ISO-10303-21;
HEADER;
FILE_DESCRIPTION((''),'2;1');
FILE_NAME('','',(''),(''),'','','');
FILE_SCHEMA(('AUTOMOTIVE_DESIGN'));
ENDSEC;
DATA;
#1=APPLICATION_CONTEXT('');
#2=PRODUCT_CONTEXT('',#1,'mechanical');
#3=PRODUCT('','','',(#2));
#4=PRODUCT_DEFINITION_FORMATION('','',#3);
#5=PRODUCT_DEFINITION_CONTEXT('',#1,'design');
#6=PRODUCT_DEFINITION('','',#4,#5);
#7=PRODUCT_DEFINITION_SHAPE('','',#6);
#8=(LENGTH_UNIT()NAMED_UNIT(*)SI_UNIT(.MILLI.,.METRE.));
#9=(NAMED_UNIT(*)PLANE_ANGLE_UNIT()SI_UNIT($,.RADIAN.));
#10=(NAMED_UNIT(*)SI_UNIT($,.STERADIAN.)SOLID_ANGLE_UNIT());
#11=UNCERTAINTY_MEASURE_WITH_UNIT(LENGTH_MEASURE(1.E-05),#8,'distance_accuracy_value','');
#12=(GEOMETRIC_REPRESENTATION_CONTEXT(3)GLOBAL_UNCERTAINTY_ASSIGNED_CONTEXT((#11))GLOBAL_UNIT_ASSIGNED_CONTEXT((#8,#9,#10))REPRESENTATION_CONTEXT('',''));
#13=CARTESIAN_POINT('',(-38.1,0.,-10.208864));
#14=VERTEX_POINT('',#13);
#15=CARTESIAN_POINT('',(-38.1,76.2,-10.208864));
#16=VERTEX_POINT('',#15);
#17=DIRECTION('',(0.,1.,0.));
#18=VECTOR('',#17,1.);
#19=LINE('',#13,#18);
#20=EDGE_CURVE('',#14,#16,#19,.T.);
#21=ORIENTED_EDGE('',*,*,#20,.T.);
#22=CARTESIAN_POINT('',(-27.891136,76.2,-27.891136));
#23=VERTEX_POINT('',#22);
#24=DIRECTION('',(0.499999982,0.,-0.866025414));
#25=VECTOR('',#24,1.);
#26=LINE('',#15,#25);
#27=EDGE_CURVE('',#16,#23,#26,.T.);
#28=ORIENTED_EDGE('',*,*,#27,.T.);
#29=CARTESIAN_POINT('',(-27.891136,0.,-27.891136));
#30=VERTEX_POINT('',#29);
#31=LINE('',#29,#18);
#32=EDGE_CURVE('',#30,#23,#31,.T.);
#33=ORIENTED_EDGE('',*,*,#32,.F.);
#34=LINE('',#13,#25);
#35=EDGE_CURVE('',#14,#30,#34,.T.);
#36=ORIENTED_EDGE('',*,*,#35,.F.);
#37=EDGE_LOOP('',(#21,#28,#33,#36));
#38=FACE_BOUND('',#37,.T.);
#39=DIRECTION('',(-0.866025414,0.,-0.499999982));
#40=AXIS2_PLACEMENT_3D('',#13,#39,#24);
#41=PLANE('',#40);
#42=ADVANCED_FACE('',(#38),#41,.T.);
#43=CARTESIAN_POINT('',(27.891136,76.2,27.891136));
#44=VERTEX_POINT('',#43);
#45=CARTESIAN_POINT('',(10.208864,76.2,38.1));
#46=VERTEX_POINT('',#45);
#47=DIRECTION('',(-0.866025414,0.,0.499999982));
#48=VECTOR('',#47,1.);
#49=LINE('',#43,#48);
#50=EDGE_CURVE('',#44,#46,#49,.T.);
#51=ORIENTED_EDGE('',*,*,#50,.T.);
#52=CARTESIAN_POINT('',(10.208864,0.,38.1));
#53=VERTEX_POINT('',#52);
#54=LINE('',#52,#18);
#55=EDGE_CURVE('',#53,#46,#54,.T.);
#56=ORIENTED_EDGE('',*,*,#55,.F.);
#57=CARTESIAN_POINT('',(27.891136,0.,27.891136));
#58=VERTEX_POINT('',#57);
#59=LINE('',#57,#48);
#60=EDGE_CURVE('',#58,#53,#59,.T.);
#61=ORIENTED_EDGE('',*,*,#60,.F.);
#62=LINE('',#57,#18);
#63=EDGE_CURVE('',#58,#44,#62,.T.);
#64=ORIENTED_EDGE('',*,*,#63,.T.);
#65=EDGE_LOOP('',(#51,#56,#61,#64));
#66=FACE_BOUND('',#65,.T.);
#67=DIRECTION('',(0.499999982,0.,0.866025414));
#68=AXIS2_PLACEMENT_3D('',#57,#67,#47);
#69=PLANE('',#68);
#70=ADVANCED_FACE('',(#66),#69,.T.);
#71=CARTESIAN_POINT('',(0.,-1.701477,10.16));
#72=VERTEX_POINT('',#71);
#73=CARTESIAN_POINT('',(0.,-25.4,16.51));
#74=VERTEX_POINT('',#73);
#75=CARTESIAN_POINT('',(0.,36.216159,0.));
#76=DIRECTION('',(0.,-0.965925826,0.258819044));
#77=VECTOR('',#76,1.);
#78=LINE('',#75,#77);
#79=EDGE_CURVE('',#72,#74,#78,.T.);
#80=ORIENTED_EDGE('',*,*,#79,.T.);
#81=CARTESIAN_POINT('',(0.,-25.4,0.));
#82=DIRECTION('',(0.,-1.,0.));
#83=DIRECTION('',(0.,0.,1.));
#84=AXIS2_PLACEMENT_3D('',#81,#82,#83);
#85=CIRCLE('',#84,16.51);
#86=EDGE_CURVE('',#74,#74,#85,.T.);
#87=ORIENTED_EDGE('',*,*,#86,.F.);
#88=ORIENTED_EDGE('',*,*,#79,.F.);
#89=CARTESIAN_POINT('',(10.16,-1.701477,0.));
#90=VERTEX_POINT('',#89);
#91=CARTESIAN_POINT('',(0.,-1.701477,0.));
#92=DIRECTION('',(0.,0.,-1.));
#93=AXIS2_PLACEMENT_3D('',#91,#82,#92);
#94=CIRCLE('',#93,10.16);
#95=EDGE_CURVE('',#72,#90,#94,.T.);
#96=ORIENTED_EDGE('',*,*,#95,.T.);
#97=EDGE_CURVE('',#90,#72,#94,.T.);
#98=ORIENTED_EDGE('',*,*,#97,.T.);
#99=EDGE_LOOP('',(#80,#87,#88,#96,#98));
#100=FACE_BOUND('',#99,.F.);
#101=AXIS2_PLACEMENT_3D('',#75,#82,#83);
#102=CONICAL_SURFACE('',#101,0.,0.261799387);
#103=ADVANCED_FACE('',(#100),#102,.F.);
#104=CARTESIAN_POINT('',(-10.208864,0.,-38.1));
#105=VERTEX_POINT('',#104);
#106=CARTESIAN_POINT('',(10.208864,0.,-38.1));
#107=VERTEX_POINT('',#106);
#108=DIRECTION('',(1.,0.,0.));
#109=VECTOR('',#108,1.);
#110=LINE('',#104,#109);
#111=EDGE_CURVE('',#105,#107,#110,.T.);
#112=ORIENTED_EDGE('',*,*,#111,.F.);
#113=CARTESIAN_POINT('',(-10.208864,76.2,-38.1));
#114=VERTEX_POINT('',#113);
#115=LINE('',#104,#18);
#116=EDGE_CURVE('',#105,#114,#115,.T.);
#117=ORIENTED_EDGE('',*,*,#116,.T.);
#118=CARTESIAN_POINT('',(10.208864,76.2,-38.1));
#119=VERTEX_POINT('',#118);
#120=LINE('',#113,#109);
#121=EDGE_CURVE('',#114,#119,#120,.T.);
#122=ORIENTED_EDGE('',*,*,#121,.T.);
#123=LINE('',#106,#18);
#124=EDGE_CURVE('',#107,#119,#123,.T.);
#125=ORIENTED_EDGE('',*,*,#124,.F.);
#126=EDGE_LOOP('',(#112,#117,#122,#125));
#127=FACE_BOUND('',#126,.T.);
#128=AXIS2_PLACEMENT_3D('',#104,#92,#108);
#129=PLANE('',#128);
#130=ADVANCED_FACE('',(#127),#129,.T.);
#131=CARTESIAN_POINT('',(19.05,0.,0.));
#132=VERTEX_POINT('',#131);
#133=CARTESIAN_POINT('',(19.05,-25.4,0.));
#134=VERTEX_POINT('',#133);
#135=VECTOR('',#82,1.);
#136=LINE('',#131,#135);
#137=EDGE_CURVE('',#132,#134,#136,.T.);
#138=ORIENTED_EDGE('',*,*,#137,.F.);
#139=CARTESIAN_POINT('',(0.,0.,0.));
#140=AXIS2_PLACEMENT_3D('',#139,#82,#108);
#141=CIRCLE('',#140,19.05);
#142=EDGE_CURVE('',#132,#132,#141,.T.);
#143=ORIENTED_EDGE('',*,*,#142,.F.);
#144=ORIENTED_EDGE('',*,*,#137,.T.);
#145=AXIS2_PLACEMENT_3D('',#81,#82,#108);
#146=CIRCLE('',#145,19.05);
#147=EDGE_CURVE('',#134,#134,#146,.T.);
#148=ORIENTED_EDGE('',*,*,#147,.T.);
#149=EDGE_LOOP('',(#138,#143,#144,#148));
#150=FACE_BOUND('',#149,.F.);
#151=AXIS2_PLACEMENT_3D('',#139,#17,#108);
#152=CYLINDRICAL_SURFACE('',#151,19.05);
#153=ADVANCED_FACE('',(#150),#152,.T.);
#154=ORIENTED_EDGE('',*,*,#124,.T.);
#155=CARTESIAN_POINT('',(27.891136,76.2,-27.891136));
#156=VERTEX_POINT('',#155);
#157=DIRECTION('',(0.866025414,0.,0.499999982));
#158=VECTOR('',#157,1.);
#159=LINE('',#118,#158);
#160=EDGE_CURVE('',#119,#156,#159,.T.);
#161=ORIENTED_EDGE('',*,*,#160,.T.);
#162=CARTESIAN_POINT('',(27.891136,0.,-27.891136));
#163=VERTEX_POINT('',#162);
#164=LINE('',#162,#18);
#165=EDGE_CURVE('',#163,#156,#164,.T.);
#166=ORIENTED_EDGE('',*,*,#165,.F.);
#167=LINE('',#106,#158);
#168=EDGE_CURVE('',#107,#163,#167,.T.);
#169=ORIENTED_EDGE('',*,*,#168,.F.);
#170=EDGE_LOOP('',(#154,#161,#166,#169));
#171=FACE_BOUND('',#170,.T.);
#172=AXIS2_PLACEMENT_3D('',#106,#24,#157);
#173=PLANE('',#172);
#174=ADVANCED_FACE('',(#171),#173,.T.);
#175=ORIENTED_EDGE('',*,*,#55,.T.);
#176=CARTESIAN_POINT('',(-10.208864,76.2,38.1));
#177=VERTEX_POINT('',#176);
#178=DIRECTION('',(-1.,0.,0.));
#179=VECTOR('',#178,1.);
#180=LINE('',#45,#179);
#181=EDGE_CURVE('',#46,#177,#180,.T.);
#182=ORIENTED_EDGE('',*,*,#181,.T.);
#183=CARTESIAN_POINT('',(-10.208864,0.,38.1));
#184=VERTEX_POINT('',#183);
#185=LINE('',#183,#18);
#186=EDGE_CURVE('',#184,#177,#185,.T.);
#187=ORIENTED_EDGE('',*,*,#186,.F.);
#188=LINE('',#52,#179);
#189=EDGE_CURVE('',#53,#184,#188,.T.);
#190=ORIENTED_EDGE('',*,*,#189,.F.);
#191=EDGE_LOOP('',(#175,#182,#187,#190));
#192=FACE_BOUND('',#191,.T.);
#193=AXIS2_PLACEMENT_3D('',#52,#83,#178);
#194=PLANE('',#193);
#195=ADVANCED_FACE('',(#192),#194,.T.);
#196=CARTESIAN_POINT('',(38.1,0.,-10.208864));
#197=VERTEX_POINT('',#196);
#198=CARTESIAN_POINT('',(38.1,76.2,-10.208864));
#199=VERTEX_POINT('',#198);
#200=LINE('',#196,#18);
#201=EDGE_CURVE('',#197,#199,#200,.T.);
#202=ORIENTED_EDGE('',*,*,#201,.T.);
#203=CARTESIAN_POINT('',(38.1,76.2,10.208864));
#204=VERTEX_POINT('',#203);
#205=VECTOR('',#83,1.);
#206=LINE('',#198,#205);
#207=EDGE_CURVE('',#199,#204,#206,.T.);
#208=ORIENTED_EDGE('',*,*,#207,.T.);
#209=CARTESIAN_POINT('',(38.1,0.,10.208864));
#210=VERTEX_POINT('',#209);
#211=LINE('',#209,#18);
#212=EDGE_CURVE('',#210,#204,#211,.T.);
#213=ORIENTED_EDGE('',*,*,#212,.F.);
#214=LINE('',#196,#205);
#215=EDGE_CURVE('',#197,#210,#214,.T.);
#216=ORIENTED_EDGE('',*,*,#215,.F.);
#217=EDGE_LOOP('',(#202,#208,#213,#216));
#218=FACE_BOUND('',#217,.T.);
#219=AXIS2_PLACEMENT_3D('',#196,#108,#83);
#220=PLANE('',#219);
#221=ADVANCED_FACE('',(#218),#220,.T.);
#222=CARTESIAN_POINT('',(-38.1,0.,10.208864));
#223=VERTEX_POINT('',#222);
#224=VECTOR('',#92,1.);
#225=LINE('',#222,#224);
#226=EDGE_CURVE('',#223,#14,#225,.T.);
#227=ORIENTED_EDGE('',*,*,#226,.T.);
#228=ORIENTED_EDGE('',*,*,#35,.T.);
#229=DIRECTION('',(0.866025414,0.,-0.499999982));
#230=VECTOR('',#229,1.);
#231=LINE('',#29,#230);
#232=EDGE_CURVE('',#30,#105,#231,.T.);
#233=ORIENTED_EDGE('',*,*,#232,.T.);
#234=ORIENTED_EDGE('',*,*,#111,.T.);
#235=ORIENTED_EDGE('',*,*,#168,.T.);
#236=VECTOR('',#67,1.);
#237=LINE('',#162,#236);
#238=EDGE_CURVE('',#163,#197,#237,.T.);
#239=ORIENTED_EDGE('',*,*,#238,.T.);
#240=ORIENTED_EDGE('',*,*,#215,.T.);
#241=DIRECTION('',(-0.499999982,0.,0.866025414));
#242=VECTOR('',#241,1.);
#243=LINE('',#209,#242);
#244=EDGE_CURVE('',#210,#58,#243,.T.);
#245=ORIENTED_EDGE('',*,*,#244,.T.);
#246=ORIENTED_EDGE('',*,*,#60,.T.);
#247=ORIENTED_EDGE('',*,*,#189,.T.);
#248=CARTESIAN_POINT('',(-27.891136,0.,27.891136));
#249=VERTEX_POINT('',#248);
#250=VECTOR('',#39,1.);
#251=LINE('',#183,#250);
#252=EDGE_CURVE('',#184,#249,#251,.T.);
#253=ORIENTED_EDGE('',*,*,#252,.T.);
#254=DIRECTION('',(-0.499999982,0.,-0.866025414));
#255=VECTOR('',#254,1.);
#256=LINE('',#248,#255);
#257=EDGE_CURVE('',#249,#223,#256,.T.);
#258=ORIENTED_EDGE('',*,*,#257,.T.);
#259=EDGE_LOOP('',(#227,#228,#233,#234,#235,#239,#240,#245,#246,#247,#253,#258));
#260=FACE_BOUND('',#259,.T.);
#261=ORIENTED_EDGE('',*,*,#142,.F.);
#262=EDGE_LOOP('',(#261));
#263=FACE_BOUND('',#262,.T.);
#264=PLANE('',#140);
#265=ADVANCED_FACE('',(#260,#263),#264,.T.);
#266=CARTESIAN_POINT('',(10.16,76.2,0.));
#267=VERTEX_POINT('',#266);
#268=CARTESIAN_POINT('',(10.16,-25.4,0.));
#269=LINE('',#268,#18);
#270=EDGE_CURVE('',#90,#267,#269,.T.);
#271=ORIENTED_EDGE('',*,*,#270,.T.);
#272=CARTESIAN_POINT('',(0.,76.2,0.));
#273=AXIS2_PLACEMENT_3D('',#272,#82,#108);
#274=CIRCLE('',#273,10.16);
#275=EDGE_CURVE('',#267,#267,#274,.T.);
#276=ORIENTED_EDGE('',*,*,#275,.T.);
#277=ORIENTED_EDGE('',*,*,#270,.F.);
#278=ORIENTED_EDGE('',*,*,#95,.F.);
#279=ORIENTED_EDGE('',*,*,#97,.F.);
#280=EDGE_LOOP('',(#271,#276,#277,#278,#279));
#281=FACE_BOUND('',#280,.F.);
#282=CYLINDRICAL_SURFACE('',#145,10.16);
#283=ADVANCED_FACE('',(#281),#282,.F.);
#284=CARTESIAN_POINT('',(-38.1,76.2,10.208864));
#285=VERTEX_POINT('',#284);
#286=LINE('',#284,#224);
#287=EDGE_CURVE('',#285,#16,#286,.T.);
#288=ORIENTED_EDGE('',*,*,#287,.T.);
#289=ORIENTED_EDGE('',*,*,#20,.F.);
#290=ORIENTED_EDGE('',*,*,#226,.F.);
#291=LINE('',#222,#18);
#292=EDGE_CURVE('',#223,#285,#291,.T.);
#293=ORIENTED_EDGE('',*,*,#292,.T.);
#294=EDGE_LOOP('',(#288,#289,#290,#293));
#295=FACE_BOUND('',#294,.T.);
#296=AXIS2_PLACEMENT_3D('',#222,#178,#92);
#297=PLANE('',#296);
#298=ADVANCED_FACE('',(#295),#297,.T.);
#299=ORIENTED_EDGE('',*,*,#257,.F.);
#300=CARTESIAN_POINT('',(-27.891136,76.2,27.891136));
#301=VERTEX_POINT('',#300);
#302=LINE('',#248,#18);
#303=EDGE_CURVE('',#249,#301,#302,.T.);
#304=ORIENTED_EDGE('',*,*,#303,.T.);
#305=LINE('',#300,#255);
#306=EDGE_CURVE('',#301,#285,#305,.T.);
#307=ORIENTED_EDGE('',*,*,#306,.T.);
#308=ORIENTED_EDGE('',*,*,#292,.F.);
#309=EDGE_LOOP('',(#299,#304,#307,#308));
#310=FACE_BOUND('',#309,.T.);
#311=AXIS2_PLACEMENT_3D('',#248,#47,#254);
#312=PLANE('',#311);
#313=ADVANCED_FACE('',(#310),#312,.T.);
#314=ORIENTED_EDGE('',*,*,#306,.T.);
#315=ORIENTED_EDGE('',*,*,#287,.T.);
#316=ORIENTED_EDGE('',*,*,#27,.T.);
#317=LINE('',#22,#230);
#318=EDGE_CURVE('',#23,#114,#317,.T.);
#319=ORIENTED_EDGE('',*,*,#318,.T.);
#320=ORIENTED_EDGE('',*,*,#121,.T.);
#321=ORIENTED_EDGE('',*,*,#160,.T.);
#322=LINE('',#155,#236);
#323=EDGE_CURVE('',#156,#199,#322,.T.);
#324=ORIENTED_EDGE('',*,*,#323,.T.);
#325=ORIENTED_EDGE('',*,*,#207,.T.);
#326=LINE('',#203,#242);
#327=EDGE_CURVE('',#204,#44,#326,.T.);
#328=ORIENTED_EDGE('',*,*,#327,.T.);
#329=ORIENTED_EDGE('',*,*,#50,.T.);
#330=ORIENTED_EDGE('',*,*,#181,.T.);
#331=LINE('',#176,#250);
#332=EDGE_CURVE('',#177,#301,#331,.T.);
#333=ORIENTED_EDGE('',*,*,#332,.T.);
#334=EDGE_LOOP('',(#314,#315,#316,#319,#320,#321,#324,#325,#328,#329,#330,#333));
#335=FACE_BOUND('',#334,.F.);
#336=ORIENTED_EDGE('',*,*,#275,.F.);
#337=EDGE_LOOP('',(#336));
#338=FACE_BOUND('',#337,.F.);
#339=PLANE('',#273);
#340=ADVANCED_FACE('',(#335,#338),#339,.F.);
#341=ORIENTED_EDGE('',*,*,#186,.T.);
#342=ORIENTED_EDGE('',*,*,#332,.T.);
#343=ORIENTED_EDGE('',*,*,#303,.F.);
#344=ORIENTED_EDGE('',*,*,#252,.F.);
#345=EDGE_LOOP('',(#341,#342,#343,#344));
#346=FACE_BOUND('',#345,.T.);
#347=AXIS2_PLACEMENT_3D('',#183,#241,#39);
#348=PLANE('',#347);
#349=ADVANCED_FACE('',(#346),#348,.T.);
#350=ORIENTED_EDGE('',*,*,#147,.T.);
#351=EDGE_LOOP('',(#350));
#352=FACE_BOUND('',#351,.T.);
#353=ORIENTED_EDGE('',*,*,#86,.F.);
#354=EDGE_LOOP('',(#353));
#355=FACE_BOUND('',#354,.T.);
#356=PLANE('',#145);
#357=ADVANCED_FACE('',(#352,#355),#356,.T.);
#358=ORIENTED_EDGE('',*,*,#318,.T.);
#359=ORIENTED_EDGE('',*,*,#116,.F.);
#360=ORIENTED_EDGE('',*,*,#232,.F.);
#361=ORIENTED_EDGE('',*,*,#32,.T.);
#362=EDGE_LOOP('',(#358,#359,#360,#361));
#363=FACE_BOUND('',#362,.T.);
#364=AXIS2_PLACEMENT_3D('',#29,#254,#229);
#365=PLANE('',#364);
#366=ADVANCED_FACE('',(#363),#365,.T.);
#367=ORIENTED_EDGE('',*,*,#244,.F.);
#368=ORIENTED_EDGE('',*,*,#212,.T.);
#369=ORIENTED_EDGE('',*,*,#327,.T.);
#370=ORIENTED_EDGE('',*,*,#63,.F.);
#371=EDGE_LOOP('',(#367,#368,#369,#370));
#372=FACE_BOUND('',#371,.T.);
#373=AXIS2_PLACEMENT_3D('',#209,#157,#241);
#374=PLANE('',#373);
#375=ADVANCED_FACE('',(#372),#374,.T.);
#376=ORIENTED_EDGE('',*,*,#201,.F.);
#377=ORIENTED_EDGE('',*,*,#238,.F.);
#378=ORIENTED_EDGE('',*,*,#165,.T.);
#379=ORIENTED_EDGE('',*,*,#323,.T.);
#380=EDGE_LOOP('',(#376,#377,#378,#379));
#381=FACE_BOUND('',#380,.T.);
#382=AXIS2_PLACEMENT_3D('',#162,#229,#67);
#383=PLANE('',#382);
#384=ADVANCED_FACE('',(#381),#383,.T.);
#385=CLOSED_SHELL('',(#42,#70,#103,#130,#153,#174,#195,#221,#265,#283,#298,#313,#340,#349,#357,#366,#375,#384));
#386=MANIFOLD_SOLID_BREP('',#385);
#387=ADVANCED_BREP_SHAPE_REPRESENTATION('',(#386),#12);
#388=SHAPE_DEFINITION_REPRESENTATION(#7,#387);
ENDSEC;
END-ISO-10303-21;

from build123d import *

# Parameters (mm, degrees)
F1_DEPTH = 76.2
F2_R     = 19.05
F3_DEPTH = 25.4
F4_R     = 10.16
F5_DEPTH = 101.6


with BuildPart() as f1:
    # F0 (on Front) → F1 (new body)
    with BuildSketch(Plane.XZ):
        Polygon((-38.1, 10.208864), (-38.1, -10.208864), (-27.891136, -27.891136), (-10.208864, -38.1), (10.208864, -38.1), (27.891136, -27.891136), (38.1, -10.208864), (38.1, 10.208864), (27.891136, 27.891136), (10.208864, 38.1), (-10.208864, 38.1), (-27.891136, 27.891136), align=None)
    extrude(amount=-F1_DEPTH)

    # F2 (on Front) → F3 (join)
    with BuildSketch(Plane.XZ):
        Circle(F2_R)
    extrude(amount=F3_DEPTH)

    # F4 (on face) → F5 (cut)
    with BuildSketch(Plane.XZ.offset(25.4)):
        Circle(F4_R)
    extrude(amount=-F5_DEPTH, mode=Mode.SUBTRACT)

    # F6 (on Right) → F7 (revolve, cut)
    with BuildSketch(Plane.YZ):
        Polygon((-25.4, 16.51), (-25.4, 0), (36.216159, 0), align=None)
    revolve(axis=Axis((0, 5.408079, 0), (0, -1, 0)), mode=Mode.SUBTRACT)


solid = f1.part
